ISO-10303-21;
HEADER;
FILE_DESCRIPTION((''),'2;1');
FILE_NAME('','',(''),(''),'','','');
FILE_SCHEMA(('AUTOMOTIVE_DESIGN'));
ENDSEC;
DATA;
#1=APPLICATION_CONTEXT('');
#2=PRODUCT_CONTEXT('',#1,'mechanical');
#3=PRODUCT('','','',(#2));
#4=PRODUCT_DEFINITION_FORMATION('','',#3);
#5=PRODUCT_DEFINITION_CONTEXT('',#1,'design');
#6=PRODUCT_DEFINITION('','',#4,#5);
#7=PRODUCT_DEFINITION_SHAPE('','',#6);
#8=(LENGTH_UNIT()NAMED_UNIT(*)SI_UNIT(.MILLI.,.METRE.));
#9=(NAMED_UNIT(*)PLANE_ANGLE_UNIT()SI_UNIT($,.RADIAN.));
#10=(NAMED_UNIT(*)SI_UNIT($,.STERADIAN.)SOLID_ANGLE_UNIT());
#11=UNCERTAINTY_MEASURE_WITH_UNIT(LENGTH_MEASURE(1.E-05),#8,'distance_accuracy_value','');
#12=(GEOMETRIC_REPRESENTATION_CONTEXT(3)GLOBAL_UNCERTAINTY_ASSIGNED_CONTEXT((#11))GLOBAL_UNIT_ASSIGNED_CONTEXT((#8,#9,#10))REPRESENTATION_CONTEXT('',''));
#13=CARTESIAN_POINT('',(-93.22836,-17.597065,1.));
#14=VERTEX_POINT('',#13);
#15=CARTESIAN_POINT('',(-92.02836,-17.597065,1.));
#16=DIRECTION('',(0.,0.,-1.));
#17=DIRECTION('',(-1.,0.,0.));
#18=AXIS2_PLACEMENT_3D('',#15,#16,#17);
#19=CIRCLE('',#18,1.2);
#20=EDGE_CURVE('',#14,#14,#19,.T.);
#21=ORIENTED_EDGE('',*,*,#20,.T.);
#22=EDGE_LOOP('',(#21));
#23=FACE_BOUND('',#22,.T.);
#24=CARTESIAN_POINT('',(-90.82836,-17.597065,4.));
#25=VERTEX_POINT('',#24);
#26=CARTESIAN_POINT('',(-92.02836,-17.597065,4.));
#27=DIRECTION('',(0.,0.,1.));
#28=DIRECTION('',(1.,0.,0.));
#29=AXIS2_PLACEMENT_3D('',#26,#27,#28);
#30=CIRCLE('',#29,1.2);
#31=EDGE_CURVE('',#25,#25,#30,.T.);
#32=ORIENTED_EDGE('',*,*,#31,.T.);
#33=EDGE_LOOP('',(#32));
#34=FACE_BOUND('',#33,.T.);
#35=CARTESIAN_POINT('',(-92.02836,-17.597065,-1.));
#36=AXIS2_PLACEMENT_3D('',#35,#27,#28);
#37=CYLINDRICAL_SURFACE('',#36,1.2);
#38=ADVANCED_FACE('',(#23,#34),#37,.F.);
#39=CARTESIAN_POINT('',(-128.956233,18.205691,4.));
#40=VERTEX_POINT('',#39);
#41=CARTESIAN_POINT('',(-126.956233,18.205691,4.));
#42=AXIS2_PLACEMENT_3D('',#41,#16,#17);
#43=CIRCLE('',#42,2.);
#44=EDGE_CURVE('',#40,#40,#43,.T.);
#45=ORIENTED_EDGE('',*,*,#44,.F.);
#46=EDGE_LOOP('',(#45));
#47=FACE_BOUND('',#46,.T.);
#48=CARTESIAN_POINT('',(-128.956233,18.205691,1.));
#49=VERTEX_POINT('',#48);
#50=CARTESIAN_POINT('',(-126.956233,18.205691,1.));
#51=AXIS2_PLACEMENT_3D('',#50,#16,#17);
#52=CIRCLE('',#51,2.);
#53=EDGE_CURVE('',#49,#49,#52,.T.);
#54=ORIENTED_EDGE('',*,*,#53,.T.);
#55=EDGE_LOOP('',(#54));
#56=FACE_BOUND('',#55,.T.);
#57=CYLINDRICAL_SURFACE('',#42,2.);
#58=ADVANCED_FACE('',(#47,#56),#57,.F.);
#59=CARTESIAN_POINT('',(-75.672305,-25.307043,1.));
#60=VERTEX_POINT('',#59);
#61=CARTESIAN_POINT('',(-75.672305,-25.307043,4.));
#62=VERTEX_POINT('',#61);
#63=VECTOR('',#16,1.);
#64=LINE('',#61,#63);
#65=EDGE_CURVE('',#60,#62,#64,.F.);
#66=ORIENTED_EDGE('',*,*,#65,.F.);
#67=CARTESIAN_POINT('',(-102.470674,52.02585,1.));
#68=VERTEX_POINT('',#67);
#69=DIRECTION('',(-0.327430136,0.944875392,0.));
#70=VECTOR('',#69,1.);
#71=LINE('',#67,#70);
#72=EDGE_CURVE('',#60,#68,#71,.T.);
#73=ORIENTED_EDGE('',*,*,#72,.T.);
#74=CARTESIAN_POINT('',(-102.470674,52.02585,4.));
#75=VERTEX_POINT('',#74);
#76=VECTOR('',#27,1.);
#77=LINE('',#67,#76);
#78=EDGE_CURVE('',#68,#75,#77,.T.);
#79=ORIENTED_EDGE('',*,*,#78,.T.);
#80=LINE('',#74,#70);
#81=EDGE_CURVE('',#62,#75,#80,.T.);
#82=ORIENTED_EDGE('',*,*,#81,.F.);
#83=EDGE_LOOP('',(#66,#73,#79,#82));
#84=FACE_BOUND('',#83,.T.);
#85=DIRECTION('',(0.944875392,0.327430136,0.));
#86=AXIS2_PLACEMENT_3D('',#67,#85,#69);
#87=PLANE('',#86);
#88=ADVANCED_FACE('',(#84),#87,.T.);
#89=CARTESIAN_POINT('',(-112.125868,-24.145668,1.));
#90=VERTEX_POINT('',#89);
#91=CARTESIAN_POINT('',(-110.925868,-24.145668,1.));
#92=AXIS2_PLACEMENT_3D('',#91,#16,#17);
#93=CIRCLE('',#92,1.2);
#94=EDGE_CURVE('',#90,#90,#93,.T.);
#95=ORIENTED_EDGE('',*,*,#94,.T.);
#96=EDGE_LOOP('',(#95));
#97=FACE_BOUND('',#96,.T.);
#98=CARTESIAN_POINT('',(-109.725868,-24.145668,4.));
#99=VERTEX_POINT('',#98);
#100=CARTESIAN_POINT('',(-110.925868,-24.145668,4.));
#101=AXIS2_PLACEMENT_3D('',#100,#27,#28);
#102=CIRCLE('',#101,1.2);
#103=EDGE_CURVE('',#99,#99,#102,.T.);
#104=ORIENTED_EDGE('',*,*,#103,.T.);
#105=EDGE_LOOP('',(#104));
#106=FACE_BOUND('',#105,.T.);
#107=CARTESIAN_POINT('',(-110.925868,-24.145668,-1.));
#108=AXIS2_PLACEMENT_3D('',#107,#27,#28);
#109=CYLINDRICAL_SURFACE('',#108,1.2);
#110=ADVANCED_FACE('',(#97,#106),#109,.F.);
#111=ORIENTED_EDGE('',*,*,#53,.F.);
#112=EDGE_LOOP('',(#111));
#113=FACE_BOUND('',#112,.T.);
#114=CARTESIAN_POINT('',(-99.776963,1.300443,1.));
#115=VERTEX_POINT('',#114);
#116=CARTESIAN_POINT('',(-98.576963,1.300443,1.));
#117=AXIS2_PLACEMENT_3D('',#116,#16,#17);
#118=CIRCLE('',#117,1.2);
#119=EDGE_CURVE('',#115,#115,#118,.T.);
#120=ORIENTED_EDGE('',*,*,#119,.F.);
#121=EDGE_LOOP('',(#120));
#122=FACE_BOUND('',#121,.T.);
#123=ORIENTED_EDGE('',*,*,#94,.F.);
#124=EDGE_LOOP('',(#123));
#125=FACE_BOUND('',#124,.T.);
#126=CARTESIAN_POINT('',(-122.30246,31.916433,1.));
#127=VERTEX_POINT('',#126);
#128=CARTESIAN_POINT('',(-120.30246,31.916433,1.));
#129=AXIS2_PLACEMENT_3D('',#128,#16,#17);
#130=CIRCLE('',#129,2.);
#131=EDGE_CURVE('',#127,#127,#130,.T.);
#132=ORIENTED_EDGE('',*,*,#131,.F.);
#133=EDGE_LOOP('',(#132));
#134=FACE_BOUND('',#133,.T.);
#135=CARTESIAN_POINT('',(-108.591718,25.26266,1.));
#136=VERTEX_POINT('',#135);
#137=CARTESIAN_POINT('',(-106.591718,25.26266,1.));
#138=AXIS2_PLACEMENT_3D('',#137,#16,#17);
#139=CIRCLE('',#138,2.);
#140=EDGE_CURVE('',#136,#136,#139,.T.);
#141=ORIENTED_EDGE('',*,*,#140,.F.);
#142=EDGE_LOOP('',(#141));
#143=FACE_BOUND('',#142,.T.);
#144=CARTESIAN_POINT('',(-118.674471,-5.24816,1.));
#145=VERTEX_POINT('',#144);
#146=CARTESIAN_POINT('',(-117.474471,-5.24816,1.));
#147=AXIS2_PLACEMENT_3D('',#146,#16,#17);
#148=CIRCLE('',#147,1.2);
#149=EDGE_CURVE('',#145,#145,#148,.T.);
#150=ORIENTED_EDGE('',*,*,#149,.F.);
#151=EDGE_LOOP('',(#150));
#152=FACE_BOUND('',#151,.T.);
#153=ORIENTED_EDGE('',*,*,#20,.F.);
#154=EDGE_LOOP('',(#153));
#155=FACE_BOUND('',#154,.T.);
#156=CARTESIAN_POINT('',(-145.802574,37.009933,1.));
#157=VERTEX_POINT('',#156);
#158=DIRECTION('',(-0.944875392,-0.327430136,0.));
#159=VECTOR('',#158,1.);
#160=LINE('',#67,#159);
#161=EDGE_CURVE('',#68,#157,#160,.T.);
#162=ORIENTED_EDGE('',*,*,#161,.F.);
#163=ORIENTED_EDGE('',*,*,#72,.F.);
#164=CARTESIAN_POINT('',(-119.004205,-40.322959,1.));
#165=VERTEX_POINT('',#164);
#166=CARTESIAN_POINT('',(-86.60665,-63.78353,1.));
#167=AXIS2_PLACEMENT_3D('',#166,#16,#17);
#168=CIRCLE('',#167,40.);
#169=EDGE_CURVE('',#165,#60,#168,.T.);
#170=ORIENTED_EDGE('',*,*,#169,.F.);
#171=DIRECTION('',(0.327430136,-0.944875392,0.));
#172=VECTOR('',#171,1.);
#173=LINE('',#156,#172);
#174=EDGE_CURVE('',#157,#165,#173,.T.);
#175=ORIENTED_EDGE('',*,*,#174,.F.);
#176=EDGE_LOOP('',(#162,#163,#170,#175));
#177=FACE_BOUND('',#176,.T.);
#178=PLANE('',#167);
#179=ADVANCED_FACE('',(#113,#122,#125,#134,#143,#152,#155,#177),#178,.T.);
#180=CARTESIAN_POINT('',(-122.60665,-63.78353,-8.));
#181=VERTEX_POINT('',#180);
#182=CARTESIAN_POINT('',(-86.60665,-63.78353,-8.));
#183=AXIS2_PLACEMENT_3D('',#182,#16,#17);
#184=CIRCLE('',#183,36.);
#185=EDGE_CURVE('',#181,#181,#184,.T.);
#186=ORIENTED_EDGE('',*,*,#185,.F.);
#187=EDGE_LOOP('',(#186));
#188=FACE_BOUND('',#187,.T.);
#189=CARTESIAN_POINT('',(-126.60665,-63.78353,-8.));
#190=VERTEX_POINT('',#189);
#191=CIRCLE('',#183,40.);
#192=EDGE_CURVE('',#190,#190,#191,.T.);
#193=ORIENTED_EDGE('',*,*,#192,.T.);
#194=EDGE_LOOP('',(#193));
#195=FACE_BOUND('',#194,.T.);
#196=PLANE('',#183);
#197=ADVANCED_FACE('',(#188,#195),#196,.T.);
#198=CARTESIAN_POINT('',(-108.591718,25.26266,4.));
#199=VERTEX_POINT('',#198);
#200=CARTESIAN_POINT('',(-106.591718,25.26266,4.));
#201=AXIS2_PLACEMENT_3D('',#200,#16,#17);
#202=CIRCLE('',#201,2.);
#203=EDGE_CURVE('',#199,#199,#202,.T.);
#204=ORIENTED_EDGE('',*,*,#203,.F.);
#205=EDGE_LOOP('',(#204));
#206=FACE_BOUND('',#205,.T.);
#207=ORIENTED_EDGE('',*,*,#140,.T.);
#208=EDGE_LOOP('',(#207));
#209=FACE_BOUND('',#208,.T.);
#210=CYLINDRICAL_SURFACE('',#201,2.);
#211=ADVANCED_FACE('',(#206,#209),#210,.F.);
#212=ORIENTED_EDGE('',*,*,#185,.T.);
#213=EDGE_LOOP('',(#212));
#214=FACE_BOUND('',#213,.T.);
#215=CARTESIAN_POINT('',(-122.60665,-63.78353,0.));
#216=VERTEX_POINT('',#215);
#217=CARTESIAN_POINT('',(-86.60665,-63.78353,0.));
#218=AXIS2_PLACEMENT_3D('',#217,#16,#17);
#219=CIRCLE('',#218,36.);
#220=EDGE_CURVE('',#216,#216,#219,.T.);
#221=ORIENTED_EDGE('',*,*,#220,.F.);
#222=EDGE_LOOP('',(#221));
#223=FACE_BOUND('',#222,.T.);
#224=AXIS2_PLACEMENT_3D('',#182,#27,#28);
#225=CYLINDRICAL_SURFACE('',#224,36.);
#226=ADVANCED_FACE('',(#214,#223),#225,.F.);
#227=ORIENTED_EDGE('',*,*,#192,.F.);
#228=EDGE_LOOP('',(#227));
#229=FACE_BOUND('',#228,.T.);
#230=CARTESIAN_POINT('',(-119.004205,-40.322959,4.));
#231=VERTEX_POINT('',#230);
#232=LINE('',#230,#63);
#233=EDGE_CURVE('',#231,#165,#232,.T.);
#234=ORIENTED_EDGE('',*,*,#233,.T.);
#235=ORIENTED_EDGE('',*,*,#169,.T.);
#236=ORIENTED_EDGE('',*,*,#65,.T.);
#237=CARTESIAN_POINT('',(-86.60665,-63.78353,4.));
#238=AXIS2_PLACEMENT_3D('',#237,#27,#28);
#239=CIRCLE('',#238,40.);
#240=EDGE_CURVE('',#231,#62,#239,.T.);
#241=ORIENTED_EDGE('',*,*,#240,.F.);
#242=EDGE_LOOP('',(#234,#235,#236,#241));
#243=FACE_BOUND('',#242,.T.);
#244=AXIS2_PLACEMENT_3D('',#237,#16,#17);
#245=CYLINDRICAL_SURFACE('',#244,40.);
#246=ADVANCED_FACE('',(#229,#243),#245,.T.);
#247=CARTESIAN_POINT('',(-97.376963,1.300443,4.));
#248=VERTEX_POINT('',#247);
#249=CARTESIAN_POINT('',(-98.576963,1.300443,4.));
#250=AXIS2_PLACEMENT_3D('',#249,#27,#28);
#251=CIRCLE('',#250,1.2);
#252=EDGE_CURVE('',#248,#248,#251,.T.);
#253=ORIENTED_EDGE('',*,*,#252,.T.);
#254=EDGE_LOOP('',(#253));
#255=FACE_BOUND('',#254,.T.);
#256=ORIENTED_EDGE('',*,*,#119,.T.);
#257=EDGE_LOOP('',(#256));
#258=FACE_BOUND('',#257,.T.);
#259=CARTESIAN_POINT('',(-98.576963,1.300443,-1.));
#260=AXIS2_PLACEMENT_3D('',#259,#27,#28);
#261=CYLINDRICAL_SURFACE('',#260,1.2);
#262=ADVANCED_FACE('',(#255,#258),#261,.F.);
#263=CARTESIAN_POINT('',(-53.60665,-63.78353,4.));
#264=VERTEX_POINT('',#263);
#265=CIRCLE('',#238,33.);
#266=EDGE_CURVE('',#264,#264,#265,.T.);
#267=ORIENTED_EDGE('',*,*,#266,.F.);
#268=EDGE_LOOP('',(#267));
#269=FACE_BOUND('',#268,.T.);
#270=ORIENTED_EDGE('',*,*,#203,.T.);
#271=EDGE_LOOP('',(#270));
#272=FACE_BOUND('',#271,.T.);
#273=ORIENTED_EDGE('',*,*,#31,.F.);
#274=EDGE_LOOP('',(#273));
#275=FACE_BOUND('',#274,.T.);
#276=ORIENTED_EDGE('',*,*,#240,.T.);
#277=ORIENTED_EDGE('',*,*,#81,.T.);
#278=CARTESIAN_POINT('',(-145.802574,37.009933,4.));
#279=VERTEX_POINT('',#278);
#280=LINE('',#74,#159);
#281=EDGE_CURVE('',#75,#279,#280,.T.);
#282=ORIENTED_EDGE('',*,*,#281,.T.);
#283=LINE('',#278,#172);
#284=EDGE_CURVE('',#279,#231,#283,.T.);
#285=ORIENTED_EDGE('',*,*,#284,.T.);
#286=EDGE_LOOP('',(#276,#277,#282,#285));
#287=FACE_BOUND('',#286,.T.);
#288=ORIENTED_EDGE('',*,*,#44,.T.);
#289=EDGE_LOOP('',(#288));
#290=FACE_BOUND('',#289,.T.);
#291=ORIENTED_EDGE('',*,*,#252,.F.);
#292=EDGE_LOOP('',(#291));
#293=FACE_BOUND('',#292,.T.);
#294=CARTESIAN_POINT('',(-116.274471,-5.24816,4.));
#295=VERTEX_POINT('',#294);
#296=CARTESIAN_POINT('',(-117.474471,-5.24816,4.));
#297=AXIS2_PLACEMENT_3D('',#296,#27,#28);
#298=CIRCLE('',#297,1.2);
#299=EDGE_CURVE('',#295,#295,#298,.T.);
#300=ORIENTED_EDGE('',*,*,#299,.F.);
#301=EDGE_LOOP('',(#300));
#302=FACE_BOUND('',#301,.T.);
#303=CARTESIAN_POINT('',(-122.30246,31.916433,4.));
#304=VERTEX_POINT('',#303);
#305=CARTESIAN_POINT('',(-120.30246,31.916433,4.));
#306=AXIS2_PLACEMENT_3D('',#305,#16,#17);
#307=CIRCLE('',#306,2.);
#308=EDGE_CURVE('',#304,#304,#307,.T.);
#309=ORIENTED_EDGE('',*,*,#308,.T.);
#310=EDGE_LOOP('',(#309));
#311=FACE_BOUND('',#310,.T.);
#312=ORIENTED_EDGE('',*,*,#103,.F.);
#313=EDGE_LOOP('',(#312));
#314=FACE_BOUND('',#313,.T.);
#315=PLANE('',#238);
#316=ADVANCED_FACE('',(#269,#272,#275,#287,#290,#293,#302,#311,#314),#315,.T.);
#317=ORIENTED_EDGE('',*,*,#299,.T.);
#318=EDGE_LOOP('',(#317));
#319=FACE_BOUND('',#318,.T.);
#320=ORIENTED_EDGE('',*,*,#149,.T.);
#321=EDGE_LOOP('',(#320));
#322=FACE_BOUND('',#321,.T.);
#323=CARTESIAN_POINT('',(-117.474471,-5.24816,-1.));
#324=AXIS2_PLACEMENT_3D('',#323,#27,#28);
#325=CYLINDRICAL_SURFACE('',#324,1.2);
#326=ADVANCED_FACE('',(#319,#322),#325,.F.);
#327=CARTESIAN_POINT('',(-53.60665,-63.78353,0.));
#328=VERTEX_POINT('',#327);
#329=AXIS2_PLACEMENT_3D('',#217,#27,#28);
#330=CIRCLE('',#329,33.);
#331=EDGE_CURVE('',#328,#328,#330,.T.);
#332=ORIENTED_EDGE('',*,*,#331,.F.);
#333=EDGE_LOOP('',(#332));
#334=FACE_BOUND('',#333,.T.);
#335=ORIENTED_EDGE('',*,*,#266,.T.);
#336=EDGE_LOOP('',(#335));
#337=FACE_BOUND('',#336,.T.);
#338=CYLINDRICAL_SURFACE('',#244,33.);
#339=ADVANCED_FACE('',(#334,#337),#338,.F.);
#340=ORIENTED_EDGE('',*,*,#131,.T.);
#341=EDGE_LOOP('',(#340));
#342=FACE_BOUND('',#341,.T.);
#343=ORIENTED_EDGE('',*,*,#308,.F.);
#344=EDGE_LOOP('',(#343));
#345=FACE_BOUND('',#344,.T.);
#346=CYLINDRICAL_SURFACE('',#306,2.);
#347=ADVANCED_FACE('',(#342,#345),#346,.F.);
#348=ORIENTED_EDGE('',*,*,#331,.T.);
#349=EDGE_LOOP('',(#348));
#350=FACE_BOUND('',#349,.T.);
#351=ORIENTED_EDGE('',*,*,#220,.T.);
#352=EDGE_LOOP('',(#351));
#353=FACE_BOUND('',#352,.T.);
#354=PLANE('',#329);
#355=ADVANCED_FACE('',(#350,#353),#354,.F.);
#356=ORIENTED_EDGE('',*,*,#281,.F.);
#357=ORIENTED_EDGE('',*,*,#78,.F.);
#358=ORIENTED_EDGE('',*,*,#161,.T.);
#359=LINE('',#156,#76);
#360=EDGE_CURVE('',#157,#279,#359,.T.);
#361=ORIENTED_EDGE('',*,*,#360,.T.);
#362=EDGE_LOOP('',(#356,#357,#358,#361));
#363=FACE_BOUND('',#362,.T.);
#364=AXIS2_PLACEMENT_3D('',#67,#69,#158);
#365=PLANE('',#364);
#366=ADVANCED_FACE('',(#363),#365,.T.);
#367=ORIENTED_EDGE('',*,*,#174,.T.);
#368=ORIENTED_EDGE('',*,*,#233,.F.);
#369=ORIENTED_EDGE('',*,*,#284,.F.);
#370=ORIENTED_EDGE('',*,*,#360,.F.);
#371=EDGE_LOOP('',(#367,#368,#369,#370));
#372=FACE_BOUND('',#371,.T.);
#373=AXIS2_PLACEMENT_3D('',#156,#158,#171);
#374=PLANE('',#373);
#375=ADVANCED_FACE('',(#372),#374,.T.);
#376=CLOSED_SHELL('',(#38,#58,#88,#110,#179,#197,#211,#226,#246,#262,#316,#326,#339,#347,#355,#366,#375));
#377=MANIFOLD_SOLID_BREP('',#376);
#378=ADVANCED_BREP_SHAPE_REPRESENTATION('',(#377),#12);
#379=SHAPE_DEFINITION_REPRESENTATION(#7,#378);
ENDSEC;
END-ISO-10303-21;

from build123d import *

# Parameters (mm, degrees)
SKETCH_1_R          = 40
SKETCH_1_R_2        = 33
EXTRUDE_1_DEPTH     = 4
EXTRUDE_START       = 8
SKETCH_2_R          = 40
SKETCH_2_R_2        = 36
EXTRUDE_2_DEPTH     = 8
EXTRUDE_3_DEPTH     = 3
SKETCH_6_R          = 2
CUT_EXTRUDE_1_DEPTH = 3
SKETCH_7_R          = 1.2
CUT_EXTRUDE_2_DEPTH = 5


with BuildPart() as part:
    # 草图1 → 凸台-拉伸1 (new body)
    with BuildSketch(Plane.XY):
        with Locations((-86.606649797, -63.783530386)):
            Circle(SKETCH_1_R)
        with Locations((-86.606649797, -63.783530386)):
            Circle(SKETCH_1_R_2, mode=Mode.SUBTRACT)
    extrude(amount=EXTRUDE_1_DEPTH)

    # 草图2 → 凸台-拉伸2 (add)
    with BuildSketch(Plane(origin=(0, 0, 0), x_dir=(-1, 0, 0), z_dir=(0, 0, -1)).offset(EXTRUDE_START)):
        with Locations((86.606649797, -63.783530386)):
            Circle(SKETCH_2_R)
        with Locations((86.606649797, -63.783530386)):
            Circle(SKETCH_2_R_2, mode=Mode.SUBTRACT)
    extrude(amount=-EXTRUDE_2_DEPTH)

    # 草图4 → 凸台-拉伸3 (add)
    with BuildSketch(Plane.XY.offset(4)):
        with BuildLine():
            Line((-102.470674133, 52.025849932), (-145.802574452, 37.009933401))
            Line((-145.802574452, 37.009933401), (-118.238289751, -42.533185695))
            ThreePointArc((-118.238289751, -42.533185695), (-99.084005703, -27.777233919), (-74.906389432, -27.517269163))
            Line((-74.906389432, -27.517269163), (-102.470674133, 52.025849932))
        make_face()
    extrude(amount=-EXTRUDE_3_DEPTH)

    # 草图6 → 切除-拉伸1 (cut)
    with BuildSketch(Plane(origin=(0, 0, 1), x_dir=(-1, 0, 0), z_dir=(0, 0, -1))):
        with Locations((120.302459735, 31.916433112)):
            Circle(SKETCH_6_R)
        with Locations((126.956233046, 18.205691171)):
            Circle(SKETCH_6_R)
        with Locations((106.591717794, 25.262659801)):
            Circle(SKETCH_6_R)
    extrude(amount=-CUT_EXTRUDE_1_DEPTH, mode=Mode.SUBTRACT)

    # 草图7 → 切除-拉伸2 (cut)
    with BuildSketch(Plane.XY.offset(4)):
        with Locations((-117.474470724, -5.248159683)):
            Circle(SKETCH_7_R)
        with Locations((-110.925868003, -24.145667519)):
            Circle(SKETCH_7_R)
        with Locations((-98.576962888, 1.300443037)):
            Circle(SKETCH_7_R)
        with Locations((-92.028360167, -17.597064799)):
            Circle(SKETCH_7_R)
    extrude(amount=-CUT_EXTRUDE_2_DEPTH, mode=Mode.SUBTRACT)


solid = part.part
